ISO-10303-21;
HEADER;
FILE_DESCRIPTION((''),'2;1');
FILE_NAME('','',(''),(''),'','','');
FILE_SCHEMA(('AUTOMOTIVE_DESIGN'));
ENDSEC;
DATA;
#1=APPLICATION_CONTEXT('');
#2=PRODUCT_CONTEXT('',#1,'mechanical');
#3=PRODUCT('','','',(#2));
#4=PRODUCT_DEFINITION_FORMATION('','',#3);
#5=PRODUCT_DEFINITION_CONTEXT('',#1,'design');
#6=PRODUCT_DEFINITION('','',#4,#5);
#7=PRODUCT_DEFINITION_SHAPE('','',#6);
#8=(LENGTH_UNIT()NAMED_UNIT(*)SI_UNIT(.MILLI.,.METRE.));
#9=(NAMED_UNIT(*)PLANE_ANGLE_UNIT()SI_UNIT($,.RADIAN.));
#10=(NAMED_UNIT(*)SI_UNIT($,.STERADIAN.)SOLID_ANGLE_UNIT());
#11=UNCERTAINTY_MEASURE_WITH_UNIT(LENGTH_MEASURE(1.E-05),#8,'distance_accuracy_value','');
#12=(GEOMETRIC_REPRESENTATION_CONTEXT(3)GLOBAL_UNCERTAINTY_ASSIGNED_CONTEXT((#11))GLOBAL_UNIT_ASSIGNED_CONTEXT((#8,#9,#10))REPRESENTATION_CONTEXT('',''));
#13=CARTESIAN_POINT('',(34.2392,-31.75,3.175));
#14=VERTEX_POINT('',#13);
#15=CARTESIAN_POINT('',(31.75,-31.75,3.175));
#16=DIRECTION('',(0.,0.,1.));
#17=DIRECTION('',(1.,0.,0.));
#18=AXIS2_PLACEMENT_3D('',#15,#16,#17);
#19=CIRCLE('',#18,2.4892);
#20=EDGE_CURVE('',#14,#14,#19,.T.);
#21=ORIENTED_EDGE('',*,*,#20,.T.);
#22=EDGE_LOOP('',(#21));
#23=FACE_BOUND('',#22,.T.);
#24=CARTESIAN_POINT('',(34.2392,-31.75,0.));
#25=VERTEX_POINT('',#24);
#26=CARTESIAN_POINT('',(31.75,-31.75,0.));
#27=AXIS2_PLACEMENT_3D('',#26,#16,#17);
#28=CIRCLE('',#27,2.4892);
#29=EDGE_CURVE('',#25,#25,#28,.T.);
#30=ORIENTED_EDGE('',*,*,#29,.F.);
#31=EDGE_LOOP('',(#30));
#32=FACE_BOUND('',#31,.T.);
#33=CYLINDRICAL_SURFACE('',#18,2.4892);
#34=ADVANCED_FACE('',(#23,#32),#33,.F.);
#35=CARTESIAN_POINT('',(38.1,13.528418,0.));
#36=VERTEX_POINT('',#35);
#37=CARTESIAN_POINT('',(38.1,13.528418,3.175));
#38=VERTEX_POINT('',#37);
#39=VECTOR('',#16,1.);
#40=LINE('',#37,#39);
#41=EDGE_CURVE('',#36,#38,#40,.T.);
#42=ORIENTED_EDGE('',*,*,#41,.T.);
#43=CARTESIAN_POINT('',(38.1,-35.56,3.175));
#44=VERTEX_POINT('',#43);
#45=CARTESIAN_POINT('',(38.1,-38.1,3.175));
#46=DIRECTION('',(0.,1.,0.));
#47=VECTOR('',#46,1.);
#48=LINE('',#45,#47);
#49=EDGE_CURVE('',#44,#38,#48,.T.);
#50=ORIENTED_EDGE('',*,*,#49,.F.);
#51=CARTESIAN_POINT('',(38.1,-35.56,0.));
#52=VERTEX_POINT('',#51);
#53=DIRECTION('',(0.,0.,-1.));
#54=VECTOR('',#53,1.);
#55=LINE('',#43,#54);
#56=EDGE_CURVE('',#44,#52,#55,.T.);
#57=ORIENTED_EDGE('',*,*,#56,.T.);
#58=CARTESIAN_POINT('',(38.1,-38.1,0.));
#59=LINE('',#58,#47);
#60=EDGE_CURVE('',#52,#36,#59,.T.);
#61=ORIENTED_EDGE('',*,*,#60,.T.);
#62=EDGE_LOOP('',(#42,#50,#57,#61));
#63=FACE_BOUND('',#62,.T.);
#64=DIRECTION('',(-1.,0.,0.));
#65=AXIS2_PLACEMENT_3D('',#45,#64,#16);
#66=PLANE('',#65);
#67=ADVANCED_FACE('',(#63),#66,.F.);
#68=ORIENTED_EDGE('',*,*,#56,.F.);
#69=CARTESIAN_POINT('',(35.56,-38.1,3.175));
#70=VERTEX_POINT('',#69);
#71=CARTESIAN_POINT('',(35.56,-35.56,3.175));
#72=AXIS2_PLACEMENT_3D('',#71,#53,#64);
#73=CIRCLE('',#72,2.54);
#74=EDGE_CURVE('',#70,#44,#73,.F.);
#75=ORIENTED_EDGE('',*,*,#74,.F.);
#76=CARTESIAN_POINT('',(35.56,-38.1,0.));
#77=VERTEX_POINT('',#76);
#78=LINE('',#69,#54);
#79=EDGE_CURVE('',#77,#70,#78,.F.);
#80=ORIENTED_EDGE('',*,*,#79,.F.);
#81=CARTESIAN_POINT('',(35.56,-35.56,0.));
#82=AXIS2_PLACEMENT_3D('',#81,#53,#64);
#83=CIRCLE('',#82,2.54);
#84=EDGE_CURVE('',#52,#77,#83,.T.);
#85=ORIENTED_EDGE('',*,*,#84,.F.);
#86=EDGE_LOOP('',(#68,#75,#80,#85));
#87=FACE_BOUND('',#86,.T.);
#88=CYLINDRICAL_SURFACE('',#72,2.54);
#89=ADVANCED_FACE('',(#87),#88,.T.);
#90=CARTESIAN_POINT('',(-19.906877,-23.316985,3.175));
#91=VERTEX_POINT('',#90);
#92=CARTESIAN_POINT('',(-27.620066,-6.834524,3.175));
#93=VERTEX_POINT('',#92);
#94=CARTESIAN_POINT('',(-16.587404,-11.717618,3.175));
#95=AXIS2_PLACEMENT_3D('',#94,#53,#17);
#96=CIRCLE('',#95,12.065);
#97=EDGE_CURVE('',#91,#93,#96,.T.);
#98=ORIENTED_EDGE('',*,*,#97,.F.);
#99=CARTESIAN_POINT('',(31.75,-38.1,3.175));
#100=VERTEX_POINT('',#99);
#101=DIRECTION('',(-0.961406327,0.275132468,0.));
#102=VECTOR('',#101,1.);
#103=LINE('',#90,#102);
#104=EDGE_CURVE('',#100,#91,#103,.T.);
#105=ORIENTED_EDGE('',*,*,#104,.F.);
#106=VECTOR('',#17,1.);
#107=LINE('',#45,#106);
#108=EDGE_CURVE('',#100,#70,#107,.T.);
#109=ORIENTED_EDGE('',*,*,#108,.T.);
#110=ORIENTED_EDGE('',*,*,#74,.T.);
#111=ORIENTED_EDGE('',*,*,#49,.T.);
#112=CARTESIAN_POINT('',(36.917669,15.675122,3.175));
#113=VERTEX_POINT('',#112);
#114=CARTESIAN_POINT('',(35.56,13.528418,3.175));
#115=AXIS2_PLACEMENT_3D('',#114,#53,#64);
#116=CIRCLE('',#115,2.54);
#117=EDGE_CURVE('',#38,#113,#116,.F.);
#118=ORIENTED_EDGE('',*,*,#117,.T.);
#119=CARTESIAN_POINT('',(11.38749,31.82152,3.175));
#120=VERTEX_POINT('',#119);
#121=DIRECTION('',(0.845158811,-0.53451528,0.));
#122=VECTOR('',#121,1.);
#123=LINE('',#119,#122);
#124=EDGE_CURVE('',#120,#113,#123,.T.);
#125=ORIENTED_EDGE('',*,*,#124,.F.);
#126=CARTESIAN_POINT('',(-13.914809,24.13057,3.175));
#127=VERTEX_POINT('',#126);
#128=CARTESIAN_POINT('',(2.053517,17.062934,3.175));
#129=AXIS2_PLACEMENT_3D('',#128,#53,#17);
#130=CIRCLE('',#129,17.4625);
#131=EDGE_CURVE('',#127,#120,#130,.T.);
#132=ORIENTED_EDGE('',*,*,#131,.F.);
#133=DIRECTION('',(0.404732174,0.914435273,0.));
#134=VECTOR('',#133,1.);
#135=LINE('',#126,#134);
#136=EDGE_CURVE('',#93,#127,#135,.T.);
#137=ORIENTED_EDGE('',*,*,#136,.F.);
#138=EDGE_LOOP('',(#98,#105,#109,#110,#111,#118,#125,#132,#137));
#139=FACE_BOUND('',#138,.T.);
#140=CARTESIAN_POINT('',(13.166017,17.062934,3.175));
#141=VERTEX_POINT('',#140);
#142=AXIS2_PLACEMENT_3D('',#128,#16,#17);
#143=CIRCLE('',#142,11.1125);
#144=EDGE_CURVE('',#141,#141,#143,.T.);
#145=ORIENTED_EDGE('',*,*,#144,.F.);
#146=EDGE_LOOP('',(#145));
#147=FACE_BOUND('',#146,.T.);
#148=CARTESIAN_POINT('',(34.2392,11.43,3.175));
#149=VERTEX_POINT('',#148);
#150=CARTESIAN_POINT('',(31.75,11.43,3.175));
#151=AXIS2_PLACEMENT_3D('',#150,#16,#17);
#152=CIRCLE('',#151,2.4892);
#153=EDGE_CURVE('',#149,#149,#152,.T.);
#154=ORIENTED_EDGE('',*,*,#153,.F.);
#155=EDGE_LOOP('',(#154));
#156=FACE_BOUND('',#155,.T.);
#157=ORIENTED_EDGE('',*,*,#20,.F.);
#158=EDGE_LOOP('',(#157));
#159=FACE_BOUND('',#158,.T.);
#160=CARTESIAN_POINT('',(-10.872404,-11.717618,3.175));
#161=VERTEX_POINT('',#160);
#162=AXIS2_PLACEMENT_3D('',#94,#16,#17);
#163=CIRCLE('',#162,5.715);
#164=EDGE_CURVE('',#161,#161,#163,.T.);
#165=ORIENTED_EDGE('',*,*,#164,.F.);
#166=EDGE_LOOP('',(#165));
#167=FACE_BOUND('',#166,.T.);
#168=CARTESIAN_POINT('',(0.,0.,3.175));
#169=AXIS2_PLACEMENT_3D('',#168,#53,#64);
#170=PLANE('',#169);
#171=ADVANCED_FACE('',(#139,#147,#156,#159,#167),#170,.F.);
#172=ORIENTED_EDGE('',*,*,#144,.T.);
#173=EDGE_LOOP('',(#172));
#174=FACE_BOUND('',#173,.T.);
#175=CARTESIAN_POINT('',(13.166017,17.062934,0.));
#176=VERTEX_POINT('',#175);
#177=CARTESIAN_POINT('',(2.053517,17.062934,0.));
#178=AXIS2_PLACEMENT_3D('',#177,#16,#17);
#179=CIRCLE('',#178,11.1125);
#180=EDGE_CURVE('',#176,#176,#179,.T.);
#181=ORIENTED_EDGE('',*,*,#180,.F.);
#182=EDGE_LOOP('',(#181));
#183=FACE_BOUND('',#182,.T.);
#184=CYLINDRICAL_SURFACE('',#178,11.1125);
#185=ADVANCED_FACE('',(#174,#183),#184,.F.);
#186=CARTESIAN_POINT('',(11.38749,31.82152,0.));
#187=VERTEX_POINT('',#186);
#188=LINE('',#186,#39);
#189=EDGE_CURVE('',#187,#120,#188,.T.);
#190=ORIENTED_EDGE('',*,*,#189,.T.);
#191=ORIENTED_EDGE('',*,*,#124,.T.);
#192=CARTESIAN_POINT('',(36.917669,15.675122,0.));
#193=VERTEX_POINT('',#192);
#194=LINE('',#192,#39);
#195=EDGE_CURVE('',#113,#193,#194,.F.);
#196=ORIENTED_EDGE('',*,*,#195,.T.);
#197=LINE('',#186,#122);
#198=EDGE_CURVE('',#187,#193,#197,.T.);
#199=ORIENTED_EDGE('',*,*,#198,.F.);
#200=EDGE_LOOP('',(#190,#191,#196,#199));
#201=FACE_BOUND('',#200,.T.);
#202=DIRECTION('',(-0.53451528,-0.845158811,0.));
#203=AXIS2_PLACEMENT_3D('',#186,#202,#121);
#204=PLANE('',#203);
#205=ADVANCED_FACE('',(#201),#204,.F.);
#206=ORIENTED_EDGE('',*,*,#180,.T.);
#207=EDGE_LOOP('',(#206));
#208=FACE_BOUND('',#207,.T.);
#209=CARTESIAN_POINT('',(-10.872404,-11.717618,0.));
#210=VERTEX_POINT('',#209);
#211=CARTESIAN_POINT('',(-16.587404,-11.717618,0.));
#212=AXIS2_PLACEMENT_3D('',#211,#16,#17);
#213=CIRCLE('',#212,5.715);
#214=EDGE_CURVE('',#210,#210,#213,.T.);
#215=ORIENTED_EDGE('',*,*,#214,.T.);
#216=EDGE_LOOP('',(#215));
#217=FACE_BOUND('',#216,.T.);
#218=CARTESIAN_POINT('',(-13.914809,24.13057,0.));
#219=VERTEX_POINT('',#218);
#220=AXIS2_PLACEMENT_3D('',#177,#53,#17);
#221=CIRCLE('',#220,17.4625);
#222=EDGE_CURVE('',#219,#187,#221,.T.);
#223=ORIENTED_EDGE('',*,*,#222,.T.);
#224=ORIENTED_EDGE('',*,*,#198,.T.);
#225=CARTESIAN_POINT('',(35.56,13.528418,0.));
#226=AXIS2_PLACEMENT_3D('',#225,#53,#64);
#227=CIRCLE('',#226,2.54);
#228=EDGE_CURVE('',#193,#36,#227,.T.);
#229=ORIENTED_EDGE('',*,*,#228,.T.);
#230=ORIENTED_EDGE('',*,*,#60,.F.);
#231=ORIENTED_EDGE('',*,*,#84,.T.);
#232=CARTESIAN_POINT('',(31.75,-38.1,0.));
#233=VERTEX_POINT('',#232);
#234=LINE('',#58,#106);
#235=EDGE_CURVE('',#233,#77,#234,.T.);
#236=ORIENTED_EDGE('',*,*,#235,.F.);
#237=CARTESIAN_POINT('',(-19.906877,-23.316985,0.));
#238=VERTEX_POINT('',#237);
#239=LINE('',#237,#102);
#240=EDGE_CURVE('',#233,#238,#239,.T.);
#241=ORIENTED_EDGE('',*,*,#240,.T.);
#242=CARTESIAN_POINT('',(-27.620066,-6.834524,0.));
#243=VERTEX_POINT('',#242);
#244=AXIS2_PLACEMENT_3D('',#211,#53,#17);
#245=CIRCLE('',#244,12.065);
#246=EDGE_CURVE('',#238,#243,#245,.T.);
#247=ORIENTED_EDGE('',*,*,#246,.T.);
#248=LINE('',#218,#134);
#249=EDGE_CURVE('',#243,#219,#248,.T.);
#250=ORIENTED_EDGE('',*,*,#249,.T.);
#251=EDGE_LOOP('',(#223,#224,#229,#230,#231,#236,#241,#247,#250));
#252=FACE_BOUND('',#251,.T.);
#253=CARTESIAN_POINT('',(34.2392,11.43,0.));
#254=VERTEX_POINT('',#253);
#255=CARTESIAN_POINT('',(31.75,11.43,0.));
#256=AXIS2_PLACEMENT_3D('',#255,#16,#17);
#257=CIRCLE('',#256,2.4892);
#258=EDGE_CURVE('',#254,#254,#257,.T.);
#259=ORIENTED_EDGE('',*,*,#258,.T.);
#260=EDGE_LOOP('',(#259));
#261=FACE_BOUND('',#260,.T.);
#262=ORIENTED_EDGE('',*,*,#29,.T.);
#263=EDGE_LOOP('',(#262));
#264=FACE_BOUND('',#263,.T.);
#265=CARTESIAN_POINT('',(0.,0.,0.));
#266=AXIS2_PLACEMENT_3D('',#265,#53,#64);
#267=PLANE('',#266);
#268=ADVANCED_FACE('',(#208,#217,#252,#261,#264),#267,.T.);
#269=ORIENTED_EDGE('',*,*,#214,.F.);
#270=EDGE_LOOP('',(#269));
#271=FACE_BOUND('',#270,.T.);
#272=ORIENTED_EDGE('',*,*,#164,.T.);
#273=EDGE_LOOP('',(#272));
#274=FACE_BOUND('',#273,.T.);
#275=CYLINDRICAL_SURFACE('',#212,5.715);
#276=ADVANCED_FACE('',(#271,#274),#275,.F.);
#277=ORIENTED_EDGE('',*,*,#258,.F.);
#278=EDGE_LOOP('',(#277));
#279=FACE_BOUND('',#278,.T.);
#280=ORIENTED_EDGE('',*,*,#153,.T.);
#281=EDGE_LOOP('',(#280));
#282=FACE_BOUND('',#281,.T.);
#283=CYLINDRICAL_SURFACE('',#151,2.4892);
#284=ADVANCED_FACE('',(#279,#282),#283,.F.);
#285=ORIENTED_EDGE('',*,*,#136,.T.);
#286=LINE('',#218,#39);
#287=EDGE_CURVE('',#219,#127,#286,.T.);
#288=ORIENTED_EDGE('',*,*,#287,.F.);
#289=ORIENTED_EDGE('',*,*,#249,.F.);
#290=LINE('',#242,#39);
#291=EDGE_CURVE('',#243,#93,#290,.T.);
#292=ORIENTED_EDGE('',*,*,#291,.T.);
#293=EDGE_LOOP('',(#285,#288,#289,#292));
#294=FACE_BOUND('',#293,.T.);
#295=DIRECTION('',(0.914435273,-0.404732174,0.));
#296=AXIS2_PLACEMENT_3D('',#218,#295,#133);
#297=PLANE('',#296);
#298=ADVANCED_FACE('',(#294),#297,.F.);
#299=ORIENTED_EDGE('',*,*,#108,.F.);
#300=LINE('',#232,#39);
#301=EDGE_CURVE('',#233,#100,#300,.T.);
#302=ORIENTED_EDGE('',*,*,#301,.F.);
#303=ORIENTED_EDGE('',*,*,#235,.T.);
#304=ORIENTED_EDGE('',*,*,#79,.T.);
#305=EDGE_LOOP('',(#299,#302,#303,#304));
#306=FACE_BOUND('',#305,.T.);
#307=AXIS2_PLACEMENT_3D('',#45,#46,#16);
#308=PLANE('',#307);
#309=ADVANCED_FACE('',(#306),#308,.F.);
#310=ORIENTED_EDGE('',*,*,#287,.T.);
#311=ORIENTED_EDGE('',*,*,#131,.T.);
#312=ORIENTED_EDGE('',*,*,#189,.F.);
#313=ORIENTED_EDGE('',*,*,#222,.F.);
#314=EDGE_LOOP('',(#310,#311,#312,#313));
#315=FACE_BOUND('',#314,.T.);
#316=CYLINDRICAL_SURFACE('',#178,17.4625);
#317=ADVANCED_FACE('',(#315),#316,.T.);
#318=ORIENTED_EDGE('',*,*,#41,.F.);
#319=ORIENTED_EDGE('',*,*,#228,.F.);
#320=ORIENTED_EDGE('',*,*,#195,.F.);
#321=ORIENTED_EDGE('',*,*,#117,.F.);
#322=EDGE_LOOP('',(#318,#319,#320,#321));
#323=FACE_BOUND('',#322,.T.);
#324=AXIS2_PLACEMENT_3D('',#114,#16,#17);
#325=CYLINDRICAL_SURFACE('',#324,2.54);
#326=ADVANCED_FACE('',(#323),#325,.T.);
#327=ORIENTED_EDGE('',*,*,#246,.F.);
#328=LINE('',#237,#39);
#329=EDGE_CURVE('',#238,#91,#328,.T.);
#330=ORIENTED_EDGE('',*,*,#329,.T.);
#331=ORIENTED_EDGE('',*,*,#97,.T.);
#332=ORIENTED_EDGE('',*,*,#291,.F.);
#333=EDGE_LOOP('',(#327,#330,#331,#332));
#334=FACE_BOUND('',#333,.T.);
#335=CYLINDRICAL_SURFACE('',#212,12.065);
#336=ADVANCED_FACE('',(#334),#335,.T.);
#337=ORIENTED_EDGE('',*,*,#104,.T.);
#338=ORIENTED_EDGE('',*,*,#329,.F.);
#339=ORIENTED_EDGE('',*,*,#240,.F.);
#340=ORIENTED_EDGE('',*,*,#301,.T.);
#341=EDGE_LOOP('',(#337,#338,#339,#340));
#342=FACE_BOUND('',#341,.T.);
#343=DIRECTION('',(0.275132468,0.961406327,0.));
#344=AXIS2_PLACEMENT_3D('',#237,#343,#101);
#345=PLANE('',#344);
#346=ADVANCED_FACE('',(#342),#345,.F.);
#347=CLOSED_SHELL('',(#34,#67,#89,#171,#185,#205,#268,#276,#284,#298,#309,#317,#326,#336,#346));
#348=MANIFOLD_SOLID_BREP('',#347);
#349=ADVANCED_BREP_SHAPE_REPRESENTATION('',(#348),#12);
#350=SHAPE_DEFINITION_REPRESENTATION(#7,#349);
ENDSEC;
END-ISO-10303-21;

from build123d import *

# Parameters (mm, degrees)
SKETCH1_W                  = 76.2
SKETCH1_H                  = 76.2
BOSS_EXTRUDE1_DEPTH        = 3.175
F_9_0_196_DIAMETER_HOLE1_D = 4.9784
SKETCH4_R                  = 5.715
SKETCH4_R_2                = 11.1125
CUT_EXTRUDE1_DEPTH         = 3.175
CUT_EXTRUDE2_DEPTH         = 3.175
FILLET1_R                  = 2.54


with BuildPart() as part:
    # Sketch1 → Boss-Extrude1 (new body)
    with BuildSketch(Plane(origin=(0, 0, 0), x_dir=(0, 1, 0), z_dir=(0, 0, 1))):
        Rectangle(SKETCH1_W, SKETCH1_H)
    extrude(amount=BOSS_EXTRUDE1_DEPTH)

    # #9 (0.196) Diameter Hole1 (through all)
    with Locations(Plane.XY.offset(3.175)):
        with Locations((31.75, -31.75), (31.75, 11.43)):
            Hole(F_9_0_196_DIAMETER_HOLE1_D / 2)

    # Sketch4 → Cut-Extrude1 (cut)
    with BuildSketch(Plane.XY.offset(3.175)):
        with Locations((-16.587404081, -11.717617647)):
            Circle(SKETCH4_R)
        with Locations((2.053516604, 17.062934398)):
            Circle(SKETCH4_R_2)
    extrude(amount=-CUT_EXTRUDE1_DEPTH, mode=Mode.SUBTRACT)

    # Sketch6 → Cut-Extrude2 (cut)
    with BuildSketch(Plane.XY.offset(3.175)):
        with BuildLine():
            Line((11.387489681, 31.821520131), (38.1, 14.927363968))
            Line((38.1, 14.927363968), (38.1, 38.1))
            Line((38.1, 38.1), (-38.1, 38.1))
            Line((-38.1, 38.1), (-38.1, -38.1))
            Line((-38.1, -38.1), (31.75, -38.1))
            Line((31.75, -38.1), (-19.906877313, -23.316984977))
            ThreePointArc((-19.906877313, -23.316984977), (-27.515067303, -16.831363975), (-27.620065644, -6.834523972))
            Line((-27.620065644, -6.834523972), (-13.914809342, 24.13056998))
            ThreePointArc((-13.914809342, 24.13056998), (-3.025000705, 33.770644241), (11.387489681, 31.821520131))
        make_face()
    extrude(amount=-CUT_EXTRUDE2_DEPTH, mode=Mode.SUBTRACT)

    # Fillet1
    fillet1_edges = [part.edges().sort_by_distance(p)[0] for p in [
        (38.1, 14.927363968, 1.5875),
        (38.1, -38.1, 1.5875),
    ]]
    fillet(fillet1_edges, radius=FILLET1_R)


solid = part.part
